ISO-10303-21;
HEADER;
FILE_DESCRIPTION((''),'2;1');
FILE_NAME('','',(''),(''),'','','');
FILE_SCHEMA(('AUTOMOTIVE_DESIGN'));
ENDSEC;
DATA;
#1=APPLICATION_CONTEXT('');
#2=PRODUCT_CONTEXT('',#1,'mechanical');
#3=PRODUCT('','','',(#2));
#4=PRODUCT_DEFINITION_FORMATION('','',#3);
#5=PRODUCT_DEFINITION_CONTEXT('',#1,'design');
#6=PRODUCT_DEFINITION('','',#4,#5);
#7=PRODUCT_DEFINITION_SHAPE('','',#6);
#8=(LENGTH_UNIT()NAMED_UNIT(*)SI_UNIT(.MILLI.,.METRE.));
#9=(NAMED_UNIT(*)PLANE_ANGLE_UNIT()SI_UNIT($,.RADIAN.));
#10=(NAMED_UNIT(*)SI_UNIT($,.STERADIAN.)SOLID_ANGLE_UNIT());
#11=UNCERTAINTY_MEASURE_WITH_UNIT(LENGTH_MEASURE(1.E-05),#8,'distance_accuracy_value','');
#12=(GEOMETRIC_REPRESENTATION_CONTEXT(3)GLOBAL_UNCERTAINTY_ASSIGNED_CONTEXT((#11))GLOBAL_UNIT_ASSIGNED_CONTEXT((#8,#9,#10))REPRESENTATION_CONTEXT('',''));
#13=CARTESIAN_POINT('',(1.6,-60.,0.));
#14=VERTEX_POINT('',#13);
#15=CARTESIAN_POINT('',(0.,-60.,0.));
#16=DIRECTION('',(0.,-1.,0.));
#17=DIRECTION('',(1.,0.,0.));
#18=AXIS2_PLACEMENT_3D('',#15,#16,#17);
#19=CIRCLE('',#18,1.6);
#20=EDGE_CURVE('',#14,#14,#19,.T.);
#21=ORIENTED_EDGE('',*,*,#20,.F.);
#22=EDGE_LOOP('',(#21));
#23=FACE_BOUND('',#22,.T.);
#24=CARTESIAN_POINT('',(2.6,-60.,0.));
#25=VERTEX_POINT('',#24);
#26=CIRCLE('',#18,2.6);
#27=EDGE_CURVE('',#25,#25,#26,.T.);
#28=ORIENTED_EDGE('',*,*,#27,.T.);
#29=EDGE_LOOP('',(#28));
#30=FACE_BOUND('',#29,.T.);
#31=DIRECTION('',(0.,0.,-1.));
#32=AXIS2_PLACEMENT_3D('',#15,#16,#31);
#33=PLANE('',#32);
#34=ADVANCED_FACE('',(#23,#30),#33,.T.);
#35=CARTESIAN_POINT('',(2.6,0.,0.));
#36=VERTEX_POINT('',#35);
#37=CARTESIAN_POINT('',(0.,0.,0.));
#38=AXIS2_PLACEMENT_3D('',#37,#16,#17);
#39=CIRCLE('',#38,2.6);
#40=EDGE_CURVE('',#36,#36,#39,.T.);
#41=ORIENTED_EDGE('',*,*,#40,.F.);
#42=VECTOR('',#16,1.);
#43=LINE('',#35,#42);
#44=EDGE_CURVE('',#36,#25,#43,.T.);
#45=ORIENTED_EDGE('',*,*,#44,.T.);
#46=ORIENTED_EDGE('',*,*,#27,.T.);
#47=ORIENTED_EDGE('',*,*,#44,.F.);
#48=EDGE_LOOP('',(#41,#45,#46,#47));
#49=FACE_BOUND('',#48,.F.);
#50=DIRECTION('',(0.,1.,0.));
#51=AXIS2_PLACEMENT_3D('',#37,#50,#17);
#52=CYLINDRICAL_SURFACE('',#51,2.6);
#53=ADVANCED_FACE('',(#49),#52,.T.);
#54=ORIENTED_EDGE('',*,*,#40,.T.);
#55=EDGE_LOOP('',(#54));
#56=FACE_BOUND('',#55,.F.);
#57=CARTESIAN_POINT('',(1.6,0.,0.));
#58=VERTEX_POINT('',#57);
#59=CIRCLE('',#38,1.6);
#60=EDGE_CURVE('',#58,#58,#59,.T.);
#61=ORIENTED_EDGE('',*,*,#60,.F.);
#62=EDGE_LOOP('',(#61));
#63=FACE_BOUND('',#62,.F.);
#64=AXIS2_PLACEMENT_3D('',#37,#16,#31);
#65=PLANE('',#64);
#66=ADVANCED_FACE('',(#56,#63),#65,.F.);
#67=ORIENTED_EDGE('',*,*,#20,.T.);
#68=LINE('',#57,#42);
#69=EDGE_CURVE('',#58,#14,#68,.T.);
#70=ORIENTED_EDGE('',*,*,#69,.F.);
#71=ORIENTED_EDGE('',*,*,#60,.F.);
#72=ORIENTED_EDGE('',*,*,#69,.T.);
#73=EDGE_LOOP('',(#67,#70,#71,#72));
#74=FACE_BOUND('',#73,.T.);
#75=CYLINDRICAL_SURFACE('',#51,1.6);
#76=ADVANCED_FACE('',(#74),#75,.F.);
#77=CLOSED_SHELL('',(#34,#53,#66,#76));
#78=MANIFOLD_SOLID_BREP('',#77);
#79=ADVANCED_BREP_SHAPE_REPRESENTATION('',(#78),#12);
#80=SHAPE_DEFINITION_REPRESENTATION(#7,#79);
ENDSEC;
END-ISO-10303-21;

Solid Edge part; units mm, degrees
sketch "Sketch1" plane through (0, 0, 0) normal (0, -1, 0) x (1, 0, 0)
  circle A0 centre (0, 0) radius 2.6
  circle A1 centre (0, 0) radius 1.6
  dimension "D1" = 3.2
  dimension "D2" = 5.2
extrude "Protrusion1" add sketch "Sketch1" along normal blind 60
properties material "ABS Plastic, medium impact"
